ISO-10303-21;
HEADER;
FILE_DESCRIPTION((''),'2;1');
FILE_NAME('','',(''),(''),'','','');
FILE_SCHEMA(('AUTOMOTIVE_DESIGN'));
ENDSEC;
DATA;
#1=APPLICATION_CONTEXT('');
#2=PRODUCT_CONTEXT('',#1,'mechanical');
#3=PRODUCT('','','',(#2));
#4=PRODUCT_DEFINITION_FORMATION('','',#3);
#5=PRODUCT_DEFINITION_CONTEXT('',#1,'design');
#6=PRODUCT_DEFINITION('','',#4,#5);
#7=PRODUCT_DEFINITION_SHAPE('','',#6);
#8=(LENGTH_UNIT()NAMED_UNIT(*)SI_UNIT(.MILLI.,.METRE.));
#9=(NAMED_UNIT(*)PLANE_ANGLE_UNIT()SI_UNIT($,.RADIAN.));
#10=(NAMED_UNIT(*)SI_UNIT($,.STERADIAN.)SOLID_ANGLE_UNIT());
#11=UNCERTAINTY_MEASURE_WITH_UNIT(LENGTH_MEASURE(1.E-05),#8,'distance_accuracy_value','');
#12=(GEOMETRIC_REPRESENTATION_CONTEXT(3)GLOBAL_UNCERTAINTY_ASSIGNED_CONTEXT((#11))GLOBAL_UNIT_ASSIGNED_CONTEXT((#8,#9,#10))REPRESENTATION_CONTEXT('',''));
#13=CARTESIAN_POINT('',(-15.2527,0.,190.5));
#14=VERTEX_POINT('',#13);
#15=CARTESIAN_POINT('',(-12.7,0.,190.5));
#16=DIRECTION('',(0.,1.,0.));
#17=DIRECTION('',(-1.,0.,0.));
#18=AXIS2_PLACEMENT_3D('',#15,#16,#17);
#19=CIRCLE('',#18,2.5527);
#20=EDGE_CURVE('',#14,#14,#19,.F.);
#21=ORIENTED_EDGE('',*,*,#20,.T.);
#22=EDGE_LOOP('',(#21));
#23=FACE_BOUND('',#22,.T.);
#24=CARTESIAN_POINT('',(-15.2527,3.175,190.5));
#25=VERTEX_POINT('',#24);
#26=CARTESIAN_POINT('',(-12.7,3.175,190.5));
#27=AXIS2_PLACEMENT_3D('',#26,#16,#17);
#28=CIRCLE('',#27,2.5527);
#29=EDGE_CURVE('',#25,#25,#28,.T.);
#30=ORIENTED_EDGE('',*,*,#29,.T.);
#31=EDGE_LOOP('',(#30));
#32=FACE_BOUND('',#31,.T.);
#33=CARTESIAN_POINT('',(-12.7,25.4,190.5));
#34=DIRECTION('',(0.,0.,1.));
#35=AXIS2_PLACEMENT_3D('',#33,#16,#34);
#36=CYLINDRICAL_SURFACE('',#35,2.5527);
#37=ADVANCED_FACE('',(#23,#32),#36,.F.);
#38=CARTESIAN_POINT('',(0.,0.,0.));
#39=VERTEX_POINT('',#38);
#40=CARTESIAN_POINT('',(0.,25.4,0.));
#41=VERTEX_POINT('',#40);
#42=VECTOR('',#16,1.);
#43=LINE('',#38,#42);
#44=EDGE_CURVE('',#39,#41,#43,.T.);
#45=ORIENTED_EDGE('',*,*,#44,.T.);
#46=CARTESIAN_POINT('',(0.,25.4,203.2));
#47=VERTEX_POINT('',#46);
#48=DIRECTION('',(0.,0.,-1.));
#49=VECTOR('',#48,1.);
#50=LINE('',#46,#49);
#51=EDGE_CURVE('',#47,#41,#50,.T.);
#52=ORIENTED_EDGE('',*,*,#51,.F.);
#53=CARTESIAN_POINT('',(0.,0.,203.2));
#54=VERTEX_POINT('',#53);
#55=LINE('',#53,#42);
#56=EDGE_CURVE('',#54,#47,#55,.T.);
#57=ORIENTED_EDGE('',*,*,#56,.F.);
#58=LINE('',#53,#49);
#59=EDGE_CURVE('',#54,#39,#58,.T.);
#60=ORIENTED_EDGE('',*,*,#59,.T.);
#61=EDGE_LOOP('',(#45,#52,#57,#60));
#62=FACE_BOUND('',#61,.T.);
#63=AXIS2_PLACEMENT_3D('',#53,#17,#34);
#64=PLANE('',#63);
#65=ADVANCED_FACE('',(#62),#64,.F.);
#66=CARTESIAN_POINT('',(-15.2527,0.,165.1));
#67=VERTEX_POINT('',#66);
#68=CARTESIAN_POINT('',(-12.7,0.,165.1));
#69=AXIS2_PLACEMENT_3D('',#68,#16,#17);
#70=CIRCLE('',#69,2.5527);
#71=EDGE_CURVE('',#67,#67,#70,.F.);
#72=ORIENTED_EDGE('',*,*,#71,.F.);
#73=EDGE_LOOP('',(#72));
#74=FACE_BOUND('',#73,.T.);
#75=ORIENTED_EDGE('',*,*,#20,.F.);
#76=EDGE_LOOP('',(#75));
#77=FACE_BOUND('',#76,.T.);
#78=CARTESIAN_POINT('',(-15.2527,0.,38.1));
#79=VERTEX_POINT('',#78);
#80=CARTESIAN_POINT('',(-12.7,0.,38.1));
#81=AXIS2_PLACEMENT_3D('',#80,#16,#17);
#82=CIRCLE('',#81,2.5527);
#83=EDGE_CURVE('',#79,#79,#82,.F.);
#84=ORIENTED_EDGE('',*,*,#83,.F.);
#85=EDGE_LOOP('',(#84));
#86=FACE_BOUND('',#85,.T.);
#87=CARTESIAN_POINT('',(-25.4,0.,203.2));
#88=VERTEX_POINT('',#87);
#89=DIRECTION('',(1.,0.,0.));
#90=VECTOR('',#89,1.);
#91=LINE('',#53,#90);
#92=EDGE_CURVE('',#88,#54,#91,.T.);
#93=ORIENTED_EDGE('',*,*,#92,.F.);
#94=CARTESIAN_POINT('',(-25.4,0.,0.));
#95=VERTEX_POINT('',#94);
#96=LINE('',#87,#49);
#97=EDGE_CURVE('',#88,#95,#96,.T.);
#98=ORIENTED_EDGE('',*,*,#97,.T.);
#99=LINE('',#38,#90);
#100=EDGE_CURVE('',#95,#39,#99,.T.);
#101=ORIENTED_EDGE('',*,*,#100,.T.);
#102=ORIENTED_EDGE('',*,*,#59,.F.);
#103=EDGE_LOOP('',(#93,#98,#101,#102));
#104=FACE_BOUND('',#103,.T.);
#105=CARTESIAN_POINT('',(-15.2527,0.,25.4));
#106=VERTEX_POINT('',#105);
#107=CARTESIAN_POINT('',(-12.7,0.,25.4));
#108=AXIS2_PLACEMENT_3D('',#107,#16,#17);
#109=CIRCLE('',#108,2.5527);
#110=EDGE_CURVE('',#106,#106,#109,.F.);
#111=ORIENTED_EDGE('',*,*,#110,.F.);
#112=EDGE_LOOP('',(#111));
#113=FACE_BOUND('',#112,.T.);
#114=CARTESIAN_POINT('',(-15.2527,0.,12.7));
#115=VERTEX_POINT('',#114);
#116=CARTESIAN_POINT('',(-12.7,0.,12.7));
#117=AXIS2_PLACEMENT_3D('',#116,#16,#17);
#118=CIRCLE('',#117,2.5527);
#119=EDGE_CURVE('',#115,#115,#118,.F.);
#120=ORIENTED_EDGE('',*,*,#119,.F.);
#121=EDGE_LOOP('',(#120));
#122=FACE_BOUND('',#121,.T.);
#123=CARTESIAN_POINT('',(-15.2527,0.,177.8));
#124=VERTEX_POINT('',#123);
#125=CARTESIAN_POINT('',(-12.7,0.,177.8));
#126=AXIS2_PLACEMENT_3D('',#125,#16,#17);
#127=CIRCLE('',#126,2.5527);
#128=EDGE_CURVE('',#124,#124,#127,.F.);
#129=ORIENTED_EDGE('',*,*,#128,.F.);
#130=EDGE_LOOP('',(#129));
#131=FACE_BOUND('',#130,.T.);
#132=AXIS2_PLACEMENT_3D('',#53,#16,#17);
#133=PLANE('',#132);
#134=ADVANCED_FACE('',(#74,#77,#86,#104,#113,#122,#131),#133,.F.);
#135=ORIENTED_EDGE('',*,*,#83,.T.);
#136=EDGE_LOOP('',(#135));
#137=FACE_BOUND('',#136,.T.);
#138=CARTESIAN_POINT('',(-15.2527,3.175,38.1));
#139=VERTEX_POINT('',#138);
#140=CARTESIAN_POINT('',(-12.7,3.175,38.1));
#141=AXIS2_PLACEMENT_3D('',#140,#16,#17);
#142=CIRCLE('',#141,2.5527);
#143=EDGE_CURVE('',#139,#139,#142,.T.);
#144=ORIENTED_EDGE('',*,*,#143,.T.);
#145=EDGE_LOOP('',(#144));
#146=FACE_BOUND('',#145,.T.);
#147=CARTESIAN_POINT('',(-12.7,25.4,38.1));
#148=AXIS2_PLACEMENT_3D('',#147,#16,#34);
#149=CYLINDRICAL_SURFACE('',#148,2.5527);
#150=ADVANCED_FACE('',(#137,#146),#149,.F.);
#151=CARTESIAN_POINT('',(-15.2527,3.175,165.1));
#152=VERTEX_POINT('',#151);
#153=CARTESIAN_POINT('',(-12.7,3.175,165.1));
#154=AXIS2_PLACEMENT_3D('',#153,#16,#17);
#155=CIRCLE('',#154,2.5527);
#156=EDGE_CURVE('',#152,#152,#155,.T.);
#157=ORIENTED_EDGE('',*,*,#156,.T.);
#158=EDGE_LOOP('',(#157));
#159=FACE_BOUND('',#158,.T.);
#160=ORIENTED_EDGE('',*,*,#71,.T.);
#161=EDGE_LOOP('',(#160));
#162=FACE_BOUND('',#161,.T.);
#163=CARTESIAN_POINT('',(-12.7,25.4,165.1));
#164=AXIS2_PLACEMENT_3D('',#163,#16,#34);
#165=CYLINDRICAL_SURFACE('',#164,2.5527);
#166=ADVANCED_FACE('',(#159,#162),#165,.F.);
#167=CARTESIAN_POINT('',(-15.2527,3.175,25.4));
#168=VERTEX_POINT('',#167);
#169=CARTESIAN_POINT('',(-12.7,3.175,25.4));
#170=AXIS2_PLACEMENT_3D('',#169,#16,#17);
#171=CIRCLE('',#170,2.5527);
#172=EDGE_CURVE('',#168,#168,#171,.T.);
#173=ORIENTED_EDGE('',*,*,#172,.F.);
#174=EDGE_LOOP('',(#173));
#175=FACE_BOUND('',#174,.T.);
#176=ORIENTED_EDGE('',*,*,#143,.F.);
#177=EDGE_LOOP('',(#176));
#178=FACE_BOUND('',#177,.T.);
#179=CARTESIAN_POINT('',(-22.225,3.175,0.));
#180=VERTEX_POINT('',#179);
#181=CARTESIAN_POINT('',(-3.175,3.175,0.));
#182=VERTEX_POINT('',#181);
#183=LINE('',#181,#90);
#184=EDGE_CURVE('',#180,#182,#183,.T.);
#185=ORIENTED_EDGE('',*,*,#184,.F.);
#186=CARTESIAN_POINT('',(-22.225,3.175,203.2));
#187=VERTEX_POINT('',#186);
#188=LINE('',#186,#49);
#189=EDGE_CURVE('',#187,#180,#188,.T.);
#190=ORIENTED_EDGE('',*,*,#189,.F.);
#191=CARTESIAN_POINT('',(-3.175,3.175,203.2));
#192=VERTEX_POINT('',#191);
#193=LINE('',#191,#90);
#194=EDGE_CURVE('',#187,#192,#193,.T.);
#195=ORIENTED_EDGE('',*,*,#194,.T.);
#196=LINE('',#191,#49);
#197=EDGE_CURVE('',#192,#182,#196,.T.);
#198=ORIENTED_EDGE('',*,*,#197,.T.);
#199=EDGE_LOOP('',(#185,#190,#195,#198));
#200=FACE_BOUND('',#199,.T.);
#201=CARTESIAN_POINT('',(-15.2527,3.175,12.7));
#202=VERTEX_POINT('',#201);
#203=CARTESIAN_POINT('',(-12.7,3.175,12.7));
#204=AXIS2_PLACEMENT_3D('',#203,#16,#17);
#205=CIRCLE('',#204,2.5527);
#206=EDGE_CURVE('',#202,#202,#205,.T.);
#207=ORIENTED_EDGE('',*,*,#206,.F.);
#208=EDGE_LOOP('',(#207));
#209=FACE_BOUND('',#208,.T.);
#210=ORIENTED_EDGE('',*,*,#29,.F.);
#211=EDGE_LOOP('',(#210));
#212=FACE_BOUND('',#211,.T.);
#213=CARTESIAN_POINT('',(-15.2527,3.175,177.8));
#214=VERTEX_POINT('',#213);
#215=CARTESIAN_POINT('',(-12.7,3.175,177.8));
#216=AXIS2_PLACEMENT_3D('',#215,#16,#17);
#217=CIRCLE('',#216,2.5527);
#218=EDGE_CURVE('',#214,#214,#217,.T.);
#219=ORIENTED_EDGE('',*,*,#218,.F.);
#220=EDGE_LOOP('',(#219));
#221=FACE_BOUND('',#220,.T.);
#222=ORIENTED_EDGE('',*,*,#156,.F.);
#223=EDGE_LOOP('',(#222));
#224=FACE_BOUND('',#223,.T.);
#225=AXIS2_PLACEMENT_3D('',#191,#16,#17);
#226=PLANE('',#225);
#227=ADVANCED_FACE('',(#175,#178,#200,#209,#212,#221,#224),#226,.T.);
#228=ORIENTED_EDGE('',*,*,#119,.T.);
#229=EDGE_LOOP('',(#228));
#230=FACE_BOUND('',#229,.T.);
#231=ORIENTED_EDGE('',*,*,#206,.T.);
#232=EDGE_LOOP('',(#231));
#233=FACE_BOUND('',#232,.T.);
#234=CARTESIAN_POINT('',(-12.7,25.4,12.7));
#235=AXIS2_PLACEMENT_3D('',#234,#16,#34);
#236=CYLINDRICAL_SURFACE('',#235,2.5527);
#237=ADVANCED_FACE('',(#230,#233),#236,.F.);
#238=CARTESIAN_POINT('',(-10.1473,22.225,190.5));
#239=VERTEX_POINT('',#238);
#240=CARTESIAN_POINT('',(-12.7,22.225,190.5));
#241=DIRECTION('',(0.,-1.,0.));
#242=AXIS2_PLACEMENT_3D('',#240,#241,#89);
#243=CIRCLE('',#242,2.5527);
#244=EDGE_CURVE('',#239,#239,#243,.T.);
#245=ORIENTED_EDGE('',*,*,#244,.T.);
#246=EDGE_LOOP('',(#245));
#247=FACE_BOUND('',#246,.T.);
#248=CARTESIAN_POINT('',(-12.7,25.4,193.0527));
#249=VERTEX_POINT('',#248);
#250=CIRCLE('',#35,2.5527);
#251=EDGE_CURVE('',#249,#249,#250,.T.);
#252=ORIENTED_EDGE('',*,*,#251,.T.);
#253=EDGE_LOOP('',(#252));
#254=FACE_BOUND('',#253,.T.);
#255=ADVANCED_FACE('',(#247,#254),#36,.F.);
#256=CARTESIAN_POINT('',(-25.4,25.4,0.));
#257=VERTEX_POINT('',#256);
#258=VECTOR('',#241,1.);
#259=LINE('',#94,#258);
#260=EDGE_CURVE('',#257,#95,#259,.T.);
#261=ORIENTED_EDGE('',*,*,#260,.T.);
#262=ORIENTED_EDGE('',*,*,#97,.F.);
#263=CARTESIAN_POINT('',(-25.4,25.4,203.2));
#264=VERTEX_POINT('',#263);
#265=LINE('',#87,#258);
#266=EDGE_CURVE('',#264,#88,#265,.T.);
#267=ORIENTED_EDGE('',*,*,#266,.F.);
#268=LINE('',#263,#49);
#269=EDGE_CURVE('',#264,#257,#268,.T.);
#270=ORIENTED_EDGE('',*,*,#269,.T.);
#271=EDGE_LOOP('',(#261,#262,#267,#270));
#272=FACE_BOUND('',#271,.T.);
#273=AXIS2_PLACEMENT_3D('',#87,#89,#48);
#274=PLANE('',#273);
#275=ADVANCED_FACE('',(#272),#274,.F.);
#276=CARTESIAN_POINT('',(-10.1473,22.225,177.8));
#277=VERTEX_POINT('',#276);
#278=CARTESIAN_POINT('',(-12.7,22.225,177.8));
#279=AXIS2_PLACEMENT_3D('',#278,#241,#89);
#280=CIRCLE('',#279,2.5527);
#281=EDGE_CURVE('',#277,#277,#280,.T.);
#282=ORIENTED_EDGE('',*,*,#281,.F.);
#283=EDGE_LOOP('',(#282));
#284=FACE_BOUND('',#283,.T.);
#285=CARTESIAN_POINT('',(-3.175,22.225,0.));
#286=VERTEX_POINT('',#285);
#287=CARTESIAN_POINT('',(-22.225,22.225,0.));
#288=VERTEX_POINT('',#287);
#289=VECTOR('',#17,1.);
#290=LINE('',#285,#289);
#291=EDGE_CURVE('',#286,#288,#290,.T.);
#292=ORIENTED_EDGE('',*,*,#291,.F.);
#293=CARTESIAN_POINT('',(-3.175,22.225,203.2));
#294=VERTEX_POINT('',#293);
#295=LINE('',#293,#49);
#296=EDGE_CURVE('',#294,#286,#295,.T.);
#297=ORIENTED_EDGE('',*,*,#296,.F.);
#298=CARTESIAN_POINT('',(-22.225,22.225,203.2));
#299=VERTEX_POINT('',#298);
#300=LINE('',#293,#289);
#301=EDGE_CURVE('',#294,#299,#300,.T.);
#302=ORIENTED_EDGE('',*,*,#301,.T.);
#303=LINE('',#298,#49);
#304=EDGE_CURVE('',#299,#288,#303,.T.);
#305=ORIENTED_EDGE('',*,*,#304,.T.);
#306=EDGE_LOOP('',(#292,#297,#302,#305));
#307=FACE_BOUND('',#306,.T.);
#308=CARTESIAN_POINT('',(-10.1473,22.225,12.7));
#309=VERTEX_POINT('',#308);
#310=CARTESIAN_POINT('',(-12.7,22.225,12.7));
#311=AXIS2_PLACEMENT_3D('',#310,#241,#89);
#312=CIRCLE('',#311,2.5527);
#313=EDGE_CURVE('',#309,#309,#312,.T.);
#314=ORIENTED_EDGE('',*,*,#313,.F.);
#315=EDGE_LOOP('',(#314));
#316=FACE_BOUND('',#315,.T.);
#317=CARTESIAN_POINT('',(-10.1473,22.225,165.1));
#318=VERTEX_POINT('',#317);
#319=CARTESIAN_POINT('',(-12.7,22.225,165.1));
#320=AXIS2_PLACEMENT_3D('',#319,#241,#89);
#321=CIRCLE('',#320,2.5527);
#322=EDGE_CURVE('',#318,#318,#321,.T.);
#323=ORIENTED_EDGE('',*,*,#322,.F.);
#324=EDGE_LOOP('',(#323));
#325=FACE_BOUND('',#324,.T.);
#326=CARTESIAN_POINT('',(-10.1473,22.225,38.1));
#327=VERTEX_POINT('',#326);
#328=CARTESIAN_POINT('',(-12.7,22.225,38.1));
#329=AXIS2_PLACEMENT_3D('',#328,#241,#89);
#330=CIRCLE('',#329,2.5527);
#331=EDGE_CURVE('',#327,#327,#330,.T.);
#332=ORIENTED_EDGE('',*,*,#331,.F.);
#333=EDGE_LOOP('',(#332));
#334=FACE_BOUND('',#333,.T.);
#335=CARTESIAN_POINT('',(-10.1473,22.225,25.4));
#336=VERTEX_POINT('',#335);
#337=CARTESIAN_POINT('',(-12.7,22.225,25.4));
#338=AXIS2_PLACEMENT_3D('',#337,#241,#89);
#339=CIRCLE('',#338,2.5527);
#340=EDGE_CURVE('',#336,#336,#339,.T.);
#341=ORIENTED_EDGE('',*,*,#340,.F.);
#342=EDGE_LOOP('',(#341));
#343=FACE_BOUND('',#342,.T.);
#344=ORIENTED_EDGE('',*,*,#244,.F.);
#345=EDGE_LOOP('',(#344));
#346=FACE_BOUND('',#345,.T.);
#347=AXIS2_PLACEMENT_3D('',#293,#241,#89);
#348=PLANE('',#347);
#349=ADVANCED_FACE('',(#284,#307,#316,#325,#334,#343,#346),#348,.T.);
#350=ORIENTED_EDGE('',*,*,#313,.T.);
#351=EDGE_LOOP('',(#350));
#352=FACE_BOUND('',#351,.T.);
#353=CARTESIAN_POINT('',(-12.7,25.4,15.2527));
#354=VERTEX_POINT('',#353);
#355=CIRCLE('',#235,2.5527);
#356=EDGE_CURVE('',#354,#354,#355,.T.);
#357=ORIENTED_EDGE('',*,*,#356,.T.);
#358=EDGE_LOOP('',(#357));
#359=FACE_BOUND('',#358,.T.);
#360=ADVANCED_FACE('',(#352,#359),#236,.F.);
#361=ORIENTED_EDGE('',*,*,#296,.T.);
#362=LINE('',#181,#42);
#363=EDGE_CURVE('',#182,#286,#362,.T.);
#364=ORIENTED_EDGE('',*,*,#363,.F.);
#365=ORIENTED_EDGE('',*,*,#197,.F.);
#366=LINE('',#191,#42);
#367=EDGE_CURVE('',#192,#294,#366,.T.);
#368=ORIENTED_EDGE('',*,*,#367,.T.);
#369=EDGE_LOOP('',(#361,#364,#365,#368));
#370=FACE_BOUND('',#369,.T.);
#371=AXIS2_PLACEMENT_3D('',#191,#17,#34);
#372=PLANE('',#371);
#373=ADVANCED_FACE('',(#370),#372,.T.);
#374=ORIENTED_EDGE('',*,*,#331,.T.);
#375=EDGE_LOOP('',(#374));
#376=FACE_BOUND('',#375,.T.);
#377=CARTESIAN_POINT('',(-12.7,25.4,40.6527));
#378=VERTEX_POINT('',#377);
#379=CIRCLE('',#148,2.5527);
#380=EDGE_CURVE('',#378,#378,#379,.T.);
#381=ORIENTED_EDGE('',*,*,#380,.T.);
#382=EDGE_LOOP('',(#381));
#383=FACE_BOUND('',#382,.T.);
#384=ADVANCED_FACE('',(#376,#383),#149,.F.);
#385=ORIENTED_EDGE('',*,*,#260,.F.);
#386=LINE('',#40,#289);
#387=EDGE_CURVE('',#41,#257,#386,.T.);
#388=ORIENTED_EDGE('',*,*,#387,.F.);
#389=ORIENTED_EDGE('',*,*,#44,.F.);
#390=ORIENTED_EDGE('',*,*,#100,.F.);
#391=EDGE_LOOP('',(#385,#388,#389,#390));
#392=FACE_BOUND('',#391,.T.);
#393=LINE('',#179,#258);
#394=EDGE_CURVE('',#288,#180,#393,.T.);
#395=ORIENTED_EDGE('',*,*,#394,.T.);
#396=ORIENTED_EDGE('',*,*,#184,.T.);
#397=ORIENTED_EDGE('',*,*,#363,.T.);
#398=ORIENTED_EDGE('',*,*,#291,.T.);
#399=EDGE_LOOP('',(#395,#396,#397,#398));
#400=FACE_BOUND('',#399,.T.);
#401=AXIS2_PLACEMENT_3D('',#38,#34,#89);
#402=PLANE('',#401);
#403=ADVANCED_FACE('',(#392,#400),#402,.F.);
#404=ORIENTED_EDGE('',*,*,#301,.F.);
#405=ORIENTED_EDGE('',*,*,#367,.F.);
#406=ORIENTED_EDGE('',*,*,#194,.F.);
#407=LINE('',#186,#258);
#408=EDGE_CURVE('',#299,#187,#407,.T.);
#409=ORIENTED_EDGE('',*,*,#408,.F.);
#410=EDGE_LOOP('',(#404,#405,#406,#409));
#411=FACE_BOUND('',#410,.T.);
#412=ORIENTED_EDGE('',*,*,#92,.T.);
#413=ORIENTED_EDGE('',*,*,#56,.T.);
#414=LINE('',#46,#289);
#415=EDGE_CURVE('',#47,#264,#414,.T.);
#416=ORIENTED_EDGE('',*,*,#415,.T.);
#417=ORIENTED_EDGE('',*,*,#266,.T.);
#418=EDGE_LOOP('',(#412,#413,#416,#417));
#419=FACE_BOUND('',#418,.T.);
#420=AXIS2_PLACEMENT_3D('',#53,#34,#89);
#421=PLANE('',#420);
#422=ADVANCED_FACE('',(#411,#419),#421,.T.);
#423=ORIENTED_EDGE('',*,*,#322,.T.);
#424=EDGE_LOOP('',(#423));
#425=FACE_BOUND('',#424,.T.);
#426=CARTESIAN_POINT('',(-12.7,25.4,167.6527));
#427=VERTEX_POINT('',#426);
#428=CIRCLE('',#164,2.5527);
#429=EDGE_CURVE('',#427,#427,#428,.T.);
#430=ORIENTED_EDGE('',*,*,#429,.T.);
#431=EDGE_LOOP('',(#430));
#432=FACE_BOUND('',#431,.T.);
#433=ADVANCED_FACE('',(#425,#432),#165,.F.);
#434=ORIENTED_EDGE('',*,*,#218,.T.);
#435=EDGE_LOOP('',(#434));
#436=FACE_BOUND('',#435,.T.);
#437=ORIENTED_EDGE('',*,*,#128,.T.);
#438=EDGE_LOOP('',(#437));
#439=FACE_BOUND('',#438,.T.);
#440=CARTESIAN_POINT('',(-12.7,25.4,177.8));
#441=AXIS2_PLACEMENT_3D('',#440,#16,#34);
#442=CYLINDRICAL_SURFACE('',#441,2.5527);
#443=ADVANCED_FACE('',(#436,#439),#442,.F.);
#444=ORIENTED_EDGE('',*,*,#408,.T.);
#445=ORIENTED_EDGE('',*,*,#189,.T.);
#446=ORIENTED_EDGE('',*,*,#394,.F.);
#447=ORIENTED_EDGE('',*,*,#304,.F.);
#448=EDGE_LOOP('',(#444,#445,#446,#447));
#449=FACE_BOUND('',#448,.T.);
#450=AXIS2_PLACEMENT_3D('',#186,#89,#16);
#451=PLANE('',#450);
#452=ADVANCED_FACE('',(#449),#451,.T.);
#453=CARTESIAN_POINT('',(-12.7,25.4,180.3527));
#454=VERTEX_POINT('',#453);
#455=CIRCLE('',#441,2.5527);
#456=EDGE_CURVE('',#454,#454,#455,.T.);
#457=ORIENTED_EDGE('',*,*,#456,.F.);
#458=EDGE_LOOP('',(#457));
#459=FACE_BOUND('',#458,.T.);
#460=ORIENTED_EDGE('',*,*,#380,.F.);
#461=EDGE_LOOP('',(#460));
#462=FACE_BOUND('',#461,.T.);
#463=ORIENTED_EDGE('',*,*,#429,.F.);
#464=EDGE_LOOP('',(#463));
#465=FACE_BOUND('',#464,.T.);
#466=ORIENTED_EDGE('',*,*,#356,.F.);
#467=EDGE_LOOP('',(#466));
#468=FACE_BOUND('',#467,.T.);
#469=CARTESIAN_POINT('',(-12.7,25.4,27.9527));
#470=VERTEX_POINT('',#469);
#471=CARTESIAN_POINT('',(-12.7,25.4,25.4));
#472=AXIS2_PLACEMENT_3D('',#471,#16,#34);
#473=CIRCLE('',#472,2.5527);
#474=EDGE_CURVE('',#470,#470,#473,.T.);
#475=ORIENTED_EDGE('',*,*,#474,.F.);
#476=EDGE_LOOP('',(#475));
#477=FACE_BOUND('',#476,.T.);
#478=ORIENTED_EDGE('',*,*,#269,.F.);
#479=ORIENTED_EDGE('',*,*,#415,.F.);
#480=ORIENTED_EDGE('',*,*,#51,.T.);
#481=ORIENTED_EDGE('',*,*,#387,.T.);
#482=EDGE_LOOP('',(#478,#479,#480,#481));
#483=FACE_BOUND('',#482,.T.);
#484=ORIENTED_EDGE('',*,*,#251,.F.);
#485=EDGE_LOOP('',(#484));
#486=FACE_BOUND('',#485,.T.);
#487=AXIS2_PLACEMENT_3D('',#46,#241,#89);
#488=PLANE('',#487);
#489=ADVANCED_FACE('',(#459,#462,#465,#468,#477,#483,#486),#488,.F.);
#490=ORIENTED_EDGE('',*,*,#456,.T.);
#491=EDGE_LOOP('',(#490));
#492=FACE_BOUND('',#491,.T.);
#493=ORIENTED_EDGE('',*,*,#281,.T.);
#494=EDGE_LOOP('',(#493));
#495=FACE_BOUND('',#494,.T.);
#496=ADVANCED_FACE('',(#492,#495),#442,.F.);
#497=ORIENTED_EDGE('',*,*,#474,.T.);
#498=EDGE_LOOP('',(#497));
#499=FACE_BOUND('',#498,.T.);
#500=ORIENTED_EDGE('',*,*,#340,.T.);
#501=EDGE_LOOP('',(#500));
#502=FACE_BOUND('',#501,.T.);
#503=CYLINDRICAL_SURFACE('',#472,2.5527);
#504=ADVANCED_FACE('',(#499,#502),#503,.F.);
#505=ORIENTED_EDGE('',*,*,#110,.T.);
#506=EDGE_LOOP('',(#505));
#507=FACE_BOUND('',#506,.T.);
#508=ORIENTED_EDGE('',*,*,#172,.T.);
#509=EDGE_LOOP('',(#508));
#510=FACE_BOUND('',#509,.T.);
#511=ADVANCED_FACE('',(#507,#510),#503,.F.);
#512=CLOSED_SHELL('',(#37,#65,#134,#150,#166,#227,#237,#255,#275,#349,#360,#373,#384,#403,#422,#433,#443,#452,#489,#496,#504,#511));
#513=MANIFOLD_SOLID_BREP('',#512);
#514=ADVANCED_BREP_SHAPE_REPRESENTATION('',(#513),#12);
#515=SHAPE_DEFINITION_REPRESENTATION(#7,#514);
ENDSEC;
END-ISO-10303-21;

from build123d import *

# Parameters (mm, degrees)
SKETCH1_W              = 25.4
SKETCH1_H              = 25.4
SKETCH1_W_2            = 19.05
SKETCH1_H_2            = 19.05
BOSS_EXTRUDE1_DEPTH    = 203.2
F_10_CLEARANCE_HOLE1_D = 5.1054


with BuildPart() as part:
    # Sketch1 → Boss-Extrude1 (new body)
    with BuildSketch(Plane.XY):
        with Locations((-12.7, 12.7)):
            Rectangle(SKETCH1_W, SKETCH1_H)
        with Locations((-12.7, 12.7)):
            Rectangle(SKETCH1_W_2, SKETCH1_H_2, mode=Mode.SUBTRACT)
    extrude(amount=BOSS_EXTRUDE1_DEPTH)

    # #10 Clearance Hole1 (through all)
    with Locations(Plane(origin=(0, 25.4, 0), x_dir=(1, 0, 0), z_dir=(0, 1, 0))):
        with Locations((-12.7, -165.1), (-12.7, -177.8), (-12.7, -190.5), (-12.7, -12.7), (-12.7, -25.4), (-12.7, -38.1)):
            Hole(F_10_CLEARANCE_HOLE1_D / 2)


solid = part.part
